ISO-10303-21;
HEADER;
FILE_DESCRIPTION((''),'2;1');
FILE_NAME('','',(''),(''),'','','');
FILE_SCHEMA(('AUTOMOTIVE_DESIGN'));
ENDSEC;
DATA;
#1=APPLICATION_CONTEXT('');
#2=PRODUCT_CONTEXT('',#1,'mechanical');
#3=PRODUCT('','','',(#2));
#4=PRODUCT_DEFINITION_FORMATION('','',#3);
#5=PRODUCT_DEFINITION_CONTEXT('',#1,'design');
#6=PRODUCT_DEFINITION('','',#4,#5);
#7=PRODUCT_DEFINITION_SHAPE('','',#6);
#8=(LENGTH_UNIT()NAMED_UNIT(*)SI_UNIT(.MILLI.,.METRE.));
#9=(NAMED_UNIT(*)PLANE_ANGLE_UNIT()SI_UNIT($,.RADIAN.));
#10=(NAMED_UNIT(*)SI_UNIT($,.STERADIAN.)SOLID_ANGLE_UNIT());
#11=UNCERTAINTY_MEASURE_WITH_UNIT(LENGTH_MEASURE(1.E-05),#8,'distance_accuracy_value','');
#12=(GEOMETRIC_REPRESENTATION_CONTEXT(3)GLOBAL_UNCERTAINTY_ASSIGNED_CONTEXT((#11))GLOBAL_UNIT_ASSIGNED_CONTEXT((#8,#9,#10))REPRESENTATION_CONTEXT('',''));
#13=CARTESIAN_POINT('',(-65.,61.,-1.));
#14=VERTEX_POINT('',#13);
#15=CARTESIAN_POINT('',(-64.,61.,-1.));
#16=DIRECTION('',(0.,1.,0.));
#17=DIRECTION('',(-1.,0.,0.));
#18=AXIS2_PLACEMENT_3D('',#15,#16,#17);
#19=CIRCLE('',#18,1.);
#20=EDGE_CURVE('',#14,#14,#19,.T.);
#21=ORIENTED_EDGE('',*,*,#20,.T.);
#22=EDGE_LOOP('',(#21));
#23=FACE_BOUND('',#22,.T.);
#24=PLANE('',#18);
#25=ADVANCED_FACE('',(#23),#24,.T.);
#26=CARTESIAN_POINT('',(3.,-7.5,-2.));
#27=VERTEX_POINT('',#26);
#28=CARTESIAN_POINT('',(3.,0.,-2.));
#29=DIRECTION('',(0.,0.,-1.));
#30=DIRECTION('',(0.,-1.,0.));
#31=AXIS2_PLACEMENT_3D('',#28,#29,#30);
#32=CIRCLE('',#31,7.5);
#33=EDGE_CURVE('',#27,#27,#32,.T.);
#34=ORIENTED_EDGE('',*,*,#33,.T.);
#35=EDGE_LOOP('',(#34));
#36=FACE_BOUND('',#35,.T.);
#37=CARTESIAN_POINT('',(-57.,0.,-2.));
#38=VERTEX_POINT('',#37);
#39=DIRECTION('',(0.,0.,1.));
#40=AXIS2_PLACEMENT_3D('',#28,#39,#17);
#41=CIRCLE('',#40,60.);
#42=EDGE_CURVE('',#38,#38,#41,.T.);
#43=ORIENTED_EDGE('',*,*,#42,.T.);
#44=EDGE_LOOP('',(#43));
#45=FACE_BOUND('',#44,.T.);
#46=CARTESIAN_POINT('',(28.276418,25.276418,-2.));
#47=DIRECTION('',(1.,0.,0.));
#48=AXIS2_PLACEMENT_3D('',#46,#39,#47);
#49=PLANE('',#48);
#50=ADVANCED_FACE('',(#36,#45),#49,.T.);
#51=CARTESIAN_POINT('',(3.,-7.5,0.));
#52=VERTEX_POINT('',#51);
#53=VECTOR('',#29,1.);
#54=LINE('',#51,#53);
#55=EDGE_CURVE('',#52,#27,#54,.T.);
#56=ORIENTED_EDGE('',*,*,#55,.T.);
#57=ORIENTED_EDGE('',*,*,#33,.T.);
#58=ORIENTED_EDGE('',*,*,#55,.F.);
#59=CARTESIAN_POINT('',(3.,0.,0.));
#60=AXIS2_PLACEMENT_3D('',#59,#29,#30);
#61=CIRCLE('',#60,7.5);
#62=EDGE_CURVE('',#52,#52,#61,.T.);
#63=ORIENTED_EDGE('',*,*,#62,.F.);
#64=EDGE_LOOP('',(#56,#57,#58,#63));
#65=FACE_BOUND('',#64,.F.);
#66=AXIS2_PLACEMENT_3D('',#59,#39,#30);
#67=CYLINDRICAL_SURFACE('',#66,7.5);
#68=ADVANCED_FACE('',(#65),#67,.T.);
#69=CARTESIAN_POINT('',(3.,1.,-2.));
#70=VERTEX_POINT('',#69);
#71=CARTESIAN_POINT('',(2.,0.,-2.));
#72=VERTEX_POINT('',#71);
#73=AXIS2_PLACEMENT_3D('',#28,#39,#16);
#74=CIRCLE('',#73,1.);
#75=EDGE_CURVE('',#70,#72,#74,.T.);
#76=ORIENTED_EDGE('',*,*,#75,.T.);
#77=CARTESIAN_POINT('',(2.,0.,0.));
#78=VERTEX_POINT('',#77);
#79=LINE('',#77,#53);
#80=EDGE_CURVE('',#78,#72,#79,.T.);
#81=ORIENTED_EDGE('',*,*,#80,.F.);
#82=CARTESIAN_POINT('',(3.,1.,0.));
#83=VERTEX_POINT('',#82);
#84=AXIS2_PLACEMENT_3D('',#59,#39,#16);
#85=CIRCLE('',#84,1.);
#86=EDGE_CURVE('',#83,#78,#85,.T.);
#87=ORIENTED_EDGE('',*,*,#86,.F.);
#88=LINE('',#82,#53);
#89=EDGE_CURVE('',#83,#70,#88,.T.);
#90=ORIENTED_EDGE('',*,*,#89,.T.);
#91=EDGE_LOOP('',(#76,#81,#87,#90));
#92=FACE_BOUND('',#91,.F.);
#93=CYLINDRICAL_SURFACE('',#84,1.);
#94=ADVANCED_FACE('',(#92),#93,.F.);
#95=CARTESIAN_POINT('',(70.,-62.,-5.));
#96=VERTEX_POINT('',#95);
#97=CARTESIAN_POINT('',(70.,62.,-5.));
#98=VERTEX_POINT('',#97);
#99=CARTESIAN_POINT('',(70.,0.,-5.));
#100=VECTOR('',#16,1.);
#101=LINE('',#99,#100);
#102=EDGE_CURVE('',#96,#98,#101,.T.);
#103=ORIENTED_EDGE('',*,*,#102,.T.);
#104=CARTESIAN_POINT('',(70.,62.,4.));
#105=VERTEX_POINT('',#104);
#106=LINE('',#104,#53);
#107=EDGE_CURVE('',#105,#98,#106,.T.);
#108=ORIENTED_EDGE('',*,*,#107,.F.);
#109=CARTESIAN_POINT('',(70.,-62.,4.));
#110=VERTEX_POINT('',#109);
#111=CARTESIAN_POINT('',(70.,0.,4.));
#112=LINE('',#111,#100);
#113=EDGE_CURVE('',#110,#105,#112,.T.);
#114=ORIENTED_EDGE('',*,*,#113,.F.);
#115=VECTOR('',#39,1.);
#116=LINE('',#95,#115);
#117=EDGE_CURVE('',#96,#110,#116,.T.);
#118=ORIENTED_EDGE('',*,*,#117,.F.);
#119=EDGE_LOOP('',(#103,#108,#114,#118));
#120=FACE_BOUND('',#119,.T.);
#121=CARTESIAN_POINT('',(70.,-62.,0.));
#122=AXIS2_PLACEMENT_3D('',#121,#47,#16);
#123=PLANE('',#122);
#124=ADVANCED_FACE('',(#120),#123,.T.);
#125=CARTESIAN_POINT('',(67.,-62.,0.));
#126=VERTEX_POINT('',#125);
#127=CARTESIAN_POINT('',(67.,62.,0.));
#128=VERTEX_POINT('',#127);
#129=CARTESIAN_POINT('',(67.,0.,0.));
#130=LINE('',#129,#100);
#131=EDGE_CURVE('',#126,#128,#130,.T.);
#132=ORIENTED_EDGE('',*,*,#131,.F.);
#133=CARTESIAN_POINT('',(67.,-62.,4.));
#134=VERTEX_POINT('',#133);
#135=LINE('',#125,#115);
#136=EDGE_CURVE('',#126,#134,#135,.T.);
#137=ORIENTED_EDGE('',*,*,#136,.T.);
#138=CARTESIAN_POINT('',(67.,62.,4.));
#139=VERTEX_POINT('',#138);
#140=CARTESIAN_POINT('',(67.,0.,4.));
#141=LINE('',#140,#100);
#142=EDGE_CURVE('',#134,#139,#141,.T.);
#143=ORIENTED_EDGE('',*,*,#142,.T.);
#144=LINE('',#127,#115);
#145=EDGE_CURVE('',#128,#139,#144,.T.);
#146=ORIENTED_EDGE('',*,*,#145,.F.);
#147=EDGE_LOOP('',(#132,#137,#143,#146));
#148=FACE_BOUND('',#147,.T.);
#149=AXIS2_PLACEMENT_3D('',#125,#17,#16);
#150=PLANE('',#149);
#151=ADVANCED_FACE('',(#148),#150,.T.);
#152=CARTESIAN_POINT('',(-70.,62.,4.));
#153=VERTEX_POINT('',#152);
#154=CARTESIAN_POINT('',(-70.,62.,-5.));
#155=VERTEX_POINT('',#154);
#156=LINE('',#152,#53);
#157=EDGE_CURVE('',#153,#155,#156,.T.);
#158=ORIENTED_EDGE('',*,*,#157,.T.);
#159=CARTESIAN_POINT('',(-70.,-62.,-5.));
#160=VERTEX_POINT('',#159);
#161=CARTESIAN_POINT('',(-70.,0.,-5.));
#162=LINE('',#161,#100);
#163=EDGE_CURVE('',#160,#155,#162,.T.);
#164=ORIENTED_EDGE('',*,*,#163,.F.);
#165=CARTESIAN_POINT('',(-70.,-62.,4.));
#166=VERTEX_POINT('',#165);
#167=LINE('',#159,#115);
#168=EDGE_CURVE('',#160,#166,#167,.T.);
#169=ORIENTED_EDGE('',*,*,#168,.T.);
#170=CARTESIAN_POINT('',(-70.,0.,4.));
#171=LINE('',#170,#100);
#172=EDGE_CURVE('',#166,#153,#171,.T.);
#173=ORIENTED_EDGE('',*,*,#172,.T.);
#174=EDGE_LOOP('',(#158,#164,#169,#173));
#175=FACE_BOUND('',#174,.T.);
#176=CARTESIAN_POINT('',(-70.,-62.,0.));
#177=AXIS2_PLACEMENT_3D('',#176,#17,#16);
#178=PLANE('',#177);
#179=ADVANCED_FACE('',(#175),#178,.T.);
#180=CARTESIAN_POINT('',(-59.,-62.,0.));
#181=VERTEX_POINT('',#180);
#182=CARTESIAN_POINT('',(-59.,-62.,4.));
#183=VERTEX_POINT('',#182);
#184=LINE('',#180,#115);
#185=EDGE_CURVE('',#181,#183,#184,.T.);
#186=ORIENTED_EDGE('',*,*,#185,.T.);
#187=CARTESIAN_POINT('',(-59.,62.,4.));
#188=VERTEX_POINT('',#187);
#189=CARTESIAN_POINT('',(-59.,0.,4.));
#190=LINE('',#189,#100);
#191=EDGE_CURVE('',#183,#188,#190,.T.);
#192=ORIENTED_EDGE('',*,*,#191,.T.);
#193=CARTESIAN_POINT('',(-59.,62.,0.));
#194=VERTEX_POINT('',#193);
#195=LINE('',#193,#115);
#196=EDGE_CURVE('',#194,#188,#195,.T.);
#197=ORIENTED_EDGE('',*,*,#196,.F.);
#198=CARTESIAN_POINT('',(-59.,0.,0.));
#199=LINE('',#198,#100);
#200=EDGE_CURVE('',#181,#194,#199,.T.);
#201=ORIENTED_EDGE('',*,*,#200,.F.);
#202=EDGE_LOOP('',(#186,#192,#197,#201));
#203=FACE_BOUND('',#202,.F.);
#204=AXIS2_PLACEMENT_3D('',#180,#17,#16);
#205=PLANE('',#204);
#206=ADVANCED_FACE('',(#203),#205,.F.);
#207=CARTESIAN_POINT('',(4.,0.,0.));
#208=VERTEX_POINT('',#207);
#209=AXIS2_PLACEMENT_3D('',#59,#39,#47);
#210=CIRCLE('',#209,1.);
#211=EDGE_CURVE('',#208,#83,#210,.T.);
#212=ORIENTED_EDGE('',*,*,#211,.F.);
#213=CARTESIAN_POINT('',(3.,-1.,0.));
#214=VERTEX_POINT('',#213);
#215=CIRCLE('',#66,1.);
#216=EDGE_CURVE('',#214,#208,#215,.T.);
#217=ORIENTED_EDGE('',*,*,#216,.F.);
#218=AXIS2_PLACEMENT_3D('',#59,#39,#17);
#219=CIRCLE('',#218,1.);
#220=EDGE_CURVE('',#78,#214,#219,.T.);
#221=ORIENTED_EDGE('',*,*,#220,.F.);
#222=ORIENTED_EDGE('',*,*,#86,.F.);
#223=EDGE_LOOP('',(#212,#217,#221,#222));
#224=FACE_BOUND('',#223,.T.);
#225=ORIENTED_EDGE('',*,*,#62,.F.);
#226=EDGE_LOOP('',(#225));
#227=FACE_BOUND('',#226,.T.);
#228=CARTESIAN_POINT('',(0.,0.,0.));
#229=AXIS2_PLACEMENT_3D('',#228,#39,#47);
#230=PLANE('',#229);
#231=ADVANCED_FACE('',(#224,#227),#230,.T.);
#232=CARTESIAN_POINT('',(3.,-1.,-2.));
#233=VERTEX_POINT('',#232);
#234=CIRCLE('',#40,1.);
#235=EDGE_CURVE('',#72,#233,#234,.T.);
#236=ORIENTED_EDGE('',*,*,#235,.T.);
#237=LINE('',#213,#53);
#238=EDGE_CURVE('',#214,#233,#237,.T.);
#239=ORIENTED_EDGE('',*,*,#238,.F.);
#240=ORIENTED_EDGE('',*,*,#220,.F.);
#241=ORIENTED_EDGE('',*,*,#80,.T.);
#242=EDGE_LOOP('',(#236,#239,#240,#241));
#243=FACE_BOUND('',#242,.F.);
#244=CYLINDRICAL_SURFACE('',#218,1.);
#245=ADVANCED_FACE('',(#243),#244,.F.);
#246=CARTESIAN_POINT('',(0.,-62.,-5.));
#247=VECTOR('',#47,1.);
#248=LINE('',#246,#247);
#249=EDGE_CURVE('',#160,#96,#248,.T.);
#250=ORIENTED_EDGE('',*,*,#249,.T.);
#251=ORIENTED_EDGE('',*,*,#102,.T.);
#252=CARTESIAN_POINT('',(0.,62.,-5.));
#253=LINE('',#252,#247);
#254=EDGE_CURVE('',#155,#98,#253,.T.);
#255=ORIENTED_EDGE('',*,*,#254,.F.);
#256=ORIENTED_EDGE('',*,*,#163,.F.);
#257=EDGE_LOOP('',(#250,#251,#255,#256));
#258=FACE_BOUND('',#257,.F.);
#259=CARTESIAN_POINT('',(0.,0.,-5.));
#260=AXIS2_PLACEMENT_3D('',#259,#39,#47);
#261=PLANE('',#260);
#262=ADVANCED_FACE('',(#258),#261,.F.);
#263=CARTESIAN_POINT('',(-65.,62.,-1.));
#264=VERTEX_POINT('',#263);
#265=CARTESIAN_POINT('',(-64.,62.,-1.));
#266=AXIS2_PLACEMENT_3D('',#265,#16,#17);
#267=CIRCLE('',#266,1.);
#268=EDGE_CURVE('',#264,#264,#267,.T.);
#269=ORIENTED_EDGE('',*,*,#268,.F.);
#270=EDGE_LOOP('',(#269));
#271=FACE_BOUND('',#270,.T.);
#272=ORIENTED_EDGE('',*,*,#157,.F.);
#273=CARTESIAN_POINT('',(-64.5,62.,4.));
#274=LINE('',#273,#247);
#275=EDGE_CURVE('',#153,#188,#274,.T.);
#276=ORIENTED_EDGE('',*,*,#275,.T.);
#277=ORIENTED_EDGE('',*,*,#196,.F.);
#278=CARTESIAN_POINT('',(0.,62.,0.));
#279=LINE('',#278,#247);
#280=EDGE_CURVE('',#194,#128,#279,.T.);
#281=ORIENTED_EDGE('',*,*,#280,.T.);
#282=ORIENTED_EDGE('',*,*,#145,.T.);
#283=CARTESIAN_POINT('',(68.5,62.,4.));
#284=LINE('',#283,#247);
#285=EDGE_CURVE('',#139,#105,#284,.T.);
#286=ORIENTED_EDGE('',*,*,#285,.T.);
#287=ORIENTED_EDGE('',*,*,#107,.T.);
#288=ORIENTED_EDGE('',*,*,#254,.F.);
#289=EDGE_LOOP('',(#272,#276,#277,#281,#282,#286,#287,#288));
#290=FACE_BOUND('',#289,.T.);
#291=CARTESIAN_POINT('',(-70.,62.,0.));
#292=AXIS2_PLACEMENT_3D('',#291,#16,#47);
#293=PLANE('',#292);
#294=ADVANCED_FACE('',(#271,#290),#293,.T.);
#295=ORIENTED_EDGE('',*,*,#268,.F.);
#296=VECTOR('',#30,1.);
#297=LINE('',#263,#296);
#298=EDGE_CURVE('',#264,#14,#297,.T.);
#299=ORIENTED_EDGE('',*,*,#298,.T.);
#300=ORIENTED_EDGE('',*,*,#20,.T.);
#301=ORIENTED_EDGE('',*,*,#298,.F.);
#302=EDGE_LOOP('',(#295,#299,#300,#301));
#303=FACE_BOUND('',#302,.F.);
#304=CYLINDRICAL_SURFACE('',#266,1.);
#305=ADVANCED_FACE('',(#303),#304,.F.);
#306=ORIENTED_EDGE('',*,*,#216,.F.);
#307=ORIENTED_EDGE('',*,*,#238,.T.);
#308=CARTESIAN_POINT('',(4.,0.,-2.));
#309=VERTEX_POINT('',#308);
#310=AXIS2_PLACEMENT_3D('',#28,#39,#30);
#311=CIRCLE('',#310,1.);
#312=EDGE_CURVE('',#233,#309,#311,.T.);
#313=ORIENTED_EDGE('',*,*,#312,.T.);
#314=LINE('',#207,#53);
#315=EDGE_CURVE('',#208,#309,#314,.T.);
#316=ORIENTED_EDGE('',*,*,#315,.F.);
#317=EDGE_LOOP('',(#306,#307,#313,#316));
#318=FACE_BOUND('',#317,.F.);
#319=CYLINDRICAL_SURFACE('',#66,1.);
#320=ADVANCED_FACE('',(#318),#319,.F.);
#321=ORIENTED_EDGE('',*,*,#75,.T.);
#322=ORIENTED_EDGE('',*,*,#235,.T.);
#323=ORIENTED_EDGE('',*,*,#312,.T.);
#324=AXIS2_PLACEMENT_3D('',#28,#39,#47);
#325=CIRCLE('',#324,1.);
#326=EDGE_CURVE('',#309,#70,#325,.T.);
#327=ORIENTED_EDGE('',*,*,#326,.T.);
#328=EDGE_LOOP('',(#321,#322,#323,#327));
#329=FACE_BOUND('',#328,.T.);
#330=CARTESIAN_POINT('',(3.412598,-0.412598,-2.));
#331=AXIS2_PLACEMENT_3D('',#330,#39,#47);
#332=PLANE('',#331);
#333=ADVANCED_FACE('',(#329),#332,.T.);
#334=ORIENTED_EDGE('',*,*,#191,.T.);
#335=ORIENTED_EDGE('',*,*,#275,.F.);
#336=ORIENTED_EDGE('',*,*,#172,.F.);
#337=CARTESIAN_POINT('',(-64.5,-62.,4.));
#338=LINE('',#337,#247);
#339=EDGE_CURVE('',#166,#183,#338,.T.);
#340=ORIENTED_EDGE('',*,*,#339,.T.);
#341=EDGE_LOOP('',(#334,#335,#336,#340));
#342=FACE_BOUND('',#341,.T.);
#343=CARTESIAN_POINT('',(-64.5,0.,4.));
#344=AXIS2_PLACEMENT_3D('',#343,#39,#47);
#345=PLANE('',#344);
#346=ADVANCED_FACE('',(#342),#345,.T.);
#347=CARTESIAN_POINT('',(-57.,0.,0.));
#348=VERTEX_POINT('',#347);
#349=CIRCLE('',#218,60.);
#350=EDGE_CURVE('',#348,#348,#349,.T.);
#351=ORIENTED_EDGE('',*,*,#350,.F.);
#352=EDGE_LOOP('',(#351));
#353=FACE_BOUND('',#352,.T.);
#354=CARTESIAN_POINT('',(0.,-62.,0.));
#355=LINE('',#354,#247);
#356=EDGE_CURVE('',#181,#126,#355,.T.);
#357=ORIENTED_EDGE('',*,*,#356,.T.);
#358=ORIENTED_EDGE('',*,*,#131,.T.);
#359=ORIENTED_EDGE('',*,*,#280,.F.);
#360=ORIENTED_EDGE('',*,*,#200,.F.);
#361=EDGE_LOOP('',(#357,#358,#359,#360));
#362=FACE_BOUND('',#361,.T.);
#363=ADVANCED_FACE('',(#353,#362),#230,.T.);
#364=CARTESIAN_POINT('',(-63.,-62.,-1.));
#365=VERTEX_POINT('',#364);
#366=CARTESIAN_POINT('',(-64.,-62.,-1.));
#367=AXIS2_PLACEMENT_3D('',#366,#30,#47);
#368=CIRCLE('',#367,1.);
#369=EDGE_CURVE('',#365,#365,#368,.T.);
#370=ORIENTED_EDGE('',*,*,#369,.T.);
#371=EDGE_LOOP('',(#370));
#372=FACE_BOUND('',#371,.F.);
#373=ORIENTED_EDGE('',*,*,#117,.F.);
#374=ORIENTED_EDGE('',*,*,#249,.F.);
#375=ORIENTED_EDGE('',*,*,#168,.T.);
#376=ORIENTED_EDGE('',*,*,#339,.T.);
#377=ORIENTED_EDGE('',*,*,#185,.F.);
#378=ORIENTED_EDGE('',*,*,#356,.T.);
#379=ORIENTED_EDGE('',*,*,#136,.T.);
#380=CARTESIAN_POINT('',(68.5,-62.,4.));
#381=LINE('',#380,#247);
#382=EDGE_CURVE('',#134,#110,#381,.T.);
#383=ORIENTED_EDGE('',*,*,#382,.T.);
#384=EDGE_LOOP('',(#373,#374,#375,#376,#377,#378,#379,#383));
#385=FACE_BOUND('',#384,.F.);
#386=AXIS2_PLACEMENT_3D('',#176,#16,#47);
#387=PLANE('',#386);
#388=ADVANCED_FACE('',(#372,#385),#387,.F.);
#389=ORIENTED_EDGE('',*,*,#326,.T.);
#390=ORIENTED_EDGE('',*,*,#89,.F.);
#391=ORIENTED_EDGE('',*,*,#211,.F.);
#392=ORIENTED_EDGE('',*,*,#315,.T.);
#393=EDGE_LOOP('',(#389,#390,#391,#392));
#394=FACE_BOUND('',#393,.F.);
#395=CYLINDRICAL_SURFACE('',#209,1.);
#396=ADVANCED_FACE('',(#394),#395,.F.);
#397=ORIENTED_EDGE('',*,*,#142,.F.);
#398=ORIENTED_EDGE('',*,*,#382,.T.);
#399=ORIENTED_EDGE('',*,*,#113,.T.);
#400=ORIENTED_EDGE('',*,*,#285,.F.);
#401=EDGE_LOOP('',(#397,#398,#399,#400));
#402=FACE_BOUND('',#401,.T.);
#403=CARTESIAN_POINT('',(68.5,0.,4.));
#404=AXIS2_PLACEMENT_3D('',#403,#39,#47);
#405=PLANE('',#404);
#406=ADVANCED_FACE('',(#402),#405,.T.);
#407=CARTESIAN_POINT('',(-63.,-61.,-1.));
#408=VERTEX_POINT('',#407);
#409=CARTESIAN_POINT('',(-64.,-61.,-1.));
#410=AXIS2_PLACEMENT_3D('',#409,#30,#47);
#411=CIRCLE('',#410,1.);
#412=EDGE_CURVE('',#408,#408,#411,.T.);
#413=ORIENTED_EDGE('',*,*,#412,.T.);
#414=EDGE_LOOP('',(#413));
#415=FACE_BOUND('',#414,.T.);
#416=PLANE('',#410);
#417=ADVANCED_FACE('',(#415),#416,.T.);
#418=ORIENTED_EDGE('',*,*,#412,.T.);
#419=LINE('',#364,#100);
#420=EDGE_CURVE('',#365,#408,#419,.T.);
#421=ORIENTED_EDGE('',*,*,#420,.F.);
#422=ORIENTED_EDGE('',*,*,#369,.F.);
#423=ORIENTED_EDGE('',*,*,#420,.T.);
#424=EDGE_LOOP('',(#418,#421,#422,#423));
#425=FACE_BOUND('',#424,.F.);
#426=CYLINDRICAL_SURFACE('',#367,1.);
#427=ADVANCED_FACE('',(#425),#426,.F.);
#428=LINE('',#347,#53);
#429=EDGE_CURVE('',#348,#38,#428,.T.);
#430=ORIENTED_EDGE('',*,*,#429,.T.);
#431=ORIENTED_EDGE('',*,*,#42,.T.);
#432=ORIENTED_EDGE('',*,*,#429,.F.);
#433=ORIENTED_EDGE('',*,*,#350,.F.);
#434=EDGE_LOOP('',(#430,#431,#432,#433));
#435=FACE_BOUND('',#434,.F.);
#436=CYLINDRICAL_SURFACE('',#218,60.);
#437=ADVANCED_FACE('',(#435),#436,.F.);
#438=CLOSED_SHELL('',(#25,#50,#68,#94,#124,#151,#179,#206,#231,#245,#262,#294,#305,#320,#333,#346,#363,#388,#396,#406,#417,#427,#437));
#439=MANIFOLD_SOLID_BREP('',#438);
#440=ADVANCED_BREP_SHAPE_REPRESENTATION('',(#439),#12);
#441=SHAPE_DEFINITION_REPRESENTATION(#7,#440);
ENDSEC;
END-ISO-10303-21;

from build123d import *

# Parameters (mm, degrees)
F0_W      = 140
F0_H      = 124
F1_DEPTH  = 5
F2_W      = 11
F2_H      = 124
F2_W_2    = 3
F3_DEPTH  = 4
F5_DEPTH  = 2
F6_DEPTH  = 2
F7_R      = 1
F8_DEPTH  = 1
F9_R      = 1
F10_DEPTH = 1


with BuildPart() as f1:
    # F0 (on Top) → F1 (new body)
    with BuildSketch(Plane.XY):
        Rectangle(F0_W, F0_H)
    extrude(amount=-F1_DEPTH)

    # F2 (on face) → F3 (join)
    with BuildSketch(Plane.XY):
        with Locations((-64.5, 0)):
            Rectangle(F2_W, F2_H)
        with Locations((68.5, 0)):
            Rectangle(F2_W_2, F2_H)
    extrude(amount=F3_DEPTH)

    # F4 (on face) → F5 (cut)
    with BuildSketch(Plane.XY):
        with BuildLine():
            ThreePointArc((3, 7.5), (8.3033008589, 5.3033008589), (10.5, 0))
            Line((10.5, 0), (63, 0))
            ThreePointArc((63, 0), (45.4264068712, 42.4264068712), (3, 60))
            Line((3, 60), (3, 7.5))
        make_face()
        with BuildLine():
            Line((63, 0), (10.5, 0))
            ThreePointArc((10.5, 0), (8.3033008589, -5.3033008589), (3, -7.5))
            Line((3, -7.5), (3, -60))
            ThreePointArc((3, -60), (45.4264068712, -42.4264068712), (63, 0))
        make_face()
        with BuildLine():
            ThreePointArc((-4.5, 0), (-2.3033008589, 5.3033008589), (3, 7.5))
            Line((3, 7.5), (3, 60))
            ThreePointArc((3, 60), (-39.4264068712, 42.4264068712), (-57, 0))
            Line((-57, 0), (-4.5, 0))
        make_face()
        with BuildLine():
            Line((3, -60), (3, -7.5))
            ThreePointArc((3, -7.5), (-2.3033008589, -5.3033008589), (-4.5, 0))
            Line((-4.5, 0), (-57, 0))
            ThreePointArc((-57, 0), (-39.4264068712, -42.4264068712), (3, -60))
        make_face()
    extrude(amount=-F5_DEPTH, mode=Mode.SUBTRACT)

    # F4 (on face) → F6 (cut)
    with BuildSketch(Plane.XY):
        with BuildLine():
            ThreePointArc((3, -1), (3.7071067812, -0.7071067812), (4, 0))
            Line((4, 0), (3, 0))
            Line((3, 0), (3, -1))
        make_face()
        with BuildLine():
            Line((3, -1), (3, 0))
            Line((3, 0), (2, 0))
            ThreePointArc((2, 0), (2.2928932188, -0.7071067812), (3, -1))
        make_face()
        with BuildLine():
            Line((2, 0), (3, 0))
            Line((3, 0), (3, 1))
            ThreePointArc((3, 1), (2.2928932188, 0.7071067812), (2, 0))
        make_face()
        with BuildLine():
            Line((3, 0), (4, 0))
            ThreePointArc((4, 0), (3.7071067812, 0.7071067812), (3, 1))
            Line((3, 1), (3, 0))
        make_face()
    extrude(amount=-F6_DEPTH, mode=Mode.SUBTRACT)

    # F7 (on face) → F8 (cut)
    with BuildSketch(Plane(origin=(0, 62, 0), x_dir=(-1, 0, 0), z_dir=(0, 1, 0))):
        with Locations((64, -1)):
            Circle(F7_R)
    extrude(amount=-F8_DEPTH, mode=Mode.SUBTRACT)

    # F9 (on face) → F10 (cut)
    with BuildSketch(Plane.XZ.offset(62)):
        with Locations((-64, -1)):
            Circle(F9_R)
    extrude(amount=-F10_DEPTH, mode=Mode.SUBTRACT)


solid = f1.part
